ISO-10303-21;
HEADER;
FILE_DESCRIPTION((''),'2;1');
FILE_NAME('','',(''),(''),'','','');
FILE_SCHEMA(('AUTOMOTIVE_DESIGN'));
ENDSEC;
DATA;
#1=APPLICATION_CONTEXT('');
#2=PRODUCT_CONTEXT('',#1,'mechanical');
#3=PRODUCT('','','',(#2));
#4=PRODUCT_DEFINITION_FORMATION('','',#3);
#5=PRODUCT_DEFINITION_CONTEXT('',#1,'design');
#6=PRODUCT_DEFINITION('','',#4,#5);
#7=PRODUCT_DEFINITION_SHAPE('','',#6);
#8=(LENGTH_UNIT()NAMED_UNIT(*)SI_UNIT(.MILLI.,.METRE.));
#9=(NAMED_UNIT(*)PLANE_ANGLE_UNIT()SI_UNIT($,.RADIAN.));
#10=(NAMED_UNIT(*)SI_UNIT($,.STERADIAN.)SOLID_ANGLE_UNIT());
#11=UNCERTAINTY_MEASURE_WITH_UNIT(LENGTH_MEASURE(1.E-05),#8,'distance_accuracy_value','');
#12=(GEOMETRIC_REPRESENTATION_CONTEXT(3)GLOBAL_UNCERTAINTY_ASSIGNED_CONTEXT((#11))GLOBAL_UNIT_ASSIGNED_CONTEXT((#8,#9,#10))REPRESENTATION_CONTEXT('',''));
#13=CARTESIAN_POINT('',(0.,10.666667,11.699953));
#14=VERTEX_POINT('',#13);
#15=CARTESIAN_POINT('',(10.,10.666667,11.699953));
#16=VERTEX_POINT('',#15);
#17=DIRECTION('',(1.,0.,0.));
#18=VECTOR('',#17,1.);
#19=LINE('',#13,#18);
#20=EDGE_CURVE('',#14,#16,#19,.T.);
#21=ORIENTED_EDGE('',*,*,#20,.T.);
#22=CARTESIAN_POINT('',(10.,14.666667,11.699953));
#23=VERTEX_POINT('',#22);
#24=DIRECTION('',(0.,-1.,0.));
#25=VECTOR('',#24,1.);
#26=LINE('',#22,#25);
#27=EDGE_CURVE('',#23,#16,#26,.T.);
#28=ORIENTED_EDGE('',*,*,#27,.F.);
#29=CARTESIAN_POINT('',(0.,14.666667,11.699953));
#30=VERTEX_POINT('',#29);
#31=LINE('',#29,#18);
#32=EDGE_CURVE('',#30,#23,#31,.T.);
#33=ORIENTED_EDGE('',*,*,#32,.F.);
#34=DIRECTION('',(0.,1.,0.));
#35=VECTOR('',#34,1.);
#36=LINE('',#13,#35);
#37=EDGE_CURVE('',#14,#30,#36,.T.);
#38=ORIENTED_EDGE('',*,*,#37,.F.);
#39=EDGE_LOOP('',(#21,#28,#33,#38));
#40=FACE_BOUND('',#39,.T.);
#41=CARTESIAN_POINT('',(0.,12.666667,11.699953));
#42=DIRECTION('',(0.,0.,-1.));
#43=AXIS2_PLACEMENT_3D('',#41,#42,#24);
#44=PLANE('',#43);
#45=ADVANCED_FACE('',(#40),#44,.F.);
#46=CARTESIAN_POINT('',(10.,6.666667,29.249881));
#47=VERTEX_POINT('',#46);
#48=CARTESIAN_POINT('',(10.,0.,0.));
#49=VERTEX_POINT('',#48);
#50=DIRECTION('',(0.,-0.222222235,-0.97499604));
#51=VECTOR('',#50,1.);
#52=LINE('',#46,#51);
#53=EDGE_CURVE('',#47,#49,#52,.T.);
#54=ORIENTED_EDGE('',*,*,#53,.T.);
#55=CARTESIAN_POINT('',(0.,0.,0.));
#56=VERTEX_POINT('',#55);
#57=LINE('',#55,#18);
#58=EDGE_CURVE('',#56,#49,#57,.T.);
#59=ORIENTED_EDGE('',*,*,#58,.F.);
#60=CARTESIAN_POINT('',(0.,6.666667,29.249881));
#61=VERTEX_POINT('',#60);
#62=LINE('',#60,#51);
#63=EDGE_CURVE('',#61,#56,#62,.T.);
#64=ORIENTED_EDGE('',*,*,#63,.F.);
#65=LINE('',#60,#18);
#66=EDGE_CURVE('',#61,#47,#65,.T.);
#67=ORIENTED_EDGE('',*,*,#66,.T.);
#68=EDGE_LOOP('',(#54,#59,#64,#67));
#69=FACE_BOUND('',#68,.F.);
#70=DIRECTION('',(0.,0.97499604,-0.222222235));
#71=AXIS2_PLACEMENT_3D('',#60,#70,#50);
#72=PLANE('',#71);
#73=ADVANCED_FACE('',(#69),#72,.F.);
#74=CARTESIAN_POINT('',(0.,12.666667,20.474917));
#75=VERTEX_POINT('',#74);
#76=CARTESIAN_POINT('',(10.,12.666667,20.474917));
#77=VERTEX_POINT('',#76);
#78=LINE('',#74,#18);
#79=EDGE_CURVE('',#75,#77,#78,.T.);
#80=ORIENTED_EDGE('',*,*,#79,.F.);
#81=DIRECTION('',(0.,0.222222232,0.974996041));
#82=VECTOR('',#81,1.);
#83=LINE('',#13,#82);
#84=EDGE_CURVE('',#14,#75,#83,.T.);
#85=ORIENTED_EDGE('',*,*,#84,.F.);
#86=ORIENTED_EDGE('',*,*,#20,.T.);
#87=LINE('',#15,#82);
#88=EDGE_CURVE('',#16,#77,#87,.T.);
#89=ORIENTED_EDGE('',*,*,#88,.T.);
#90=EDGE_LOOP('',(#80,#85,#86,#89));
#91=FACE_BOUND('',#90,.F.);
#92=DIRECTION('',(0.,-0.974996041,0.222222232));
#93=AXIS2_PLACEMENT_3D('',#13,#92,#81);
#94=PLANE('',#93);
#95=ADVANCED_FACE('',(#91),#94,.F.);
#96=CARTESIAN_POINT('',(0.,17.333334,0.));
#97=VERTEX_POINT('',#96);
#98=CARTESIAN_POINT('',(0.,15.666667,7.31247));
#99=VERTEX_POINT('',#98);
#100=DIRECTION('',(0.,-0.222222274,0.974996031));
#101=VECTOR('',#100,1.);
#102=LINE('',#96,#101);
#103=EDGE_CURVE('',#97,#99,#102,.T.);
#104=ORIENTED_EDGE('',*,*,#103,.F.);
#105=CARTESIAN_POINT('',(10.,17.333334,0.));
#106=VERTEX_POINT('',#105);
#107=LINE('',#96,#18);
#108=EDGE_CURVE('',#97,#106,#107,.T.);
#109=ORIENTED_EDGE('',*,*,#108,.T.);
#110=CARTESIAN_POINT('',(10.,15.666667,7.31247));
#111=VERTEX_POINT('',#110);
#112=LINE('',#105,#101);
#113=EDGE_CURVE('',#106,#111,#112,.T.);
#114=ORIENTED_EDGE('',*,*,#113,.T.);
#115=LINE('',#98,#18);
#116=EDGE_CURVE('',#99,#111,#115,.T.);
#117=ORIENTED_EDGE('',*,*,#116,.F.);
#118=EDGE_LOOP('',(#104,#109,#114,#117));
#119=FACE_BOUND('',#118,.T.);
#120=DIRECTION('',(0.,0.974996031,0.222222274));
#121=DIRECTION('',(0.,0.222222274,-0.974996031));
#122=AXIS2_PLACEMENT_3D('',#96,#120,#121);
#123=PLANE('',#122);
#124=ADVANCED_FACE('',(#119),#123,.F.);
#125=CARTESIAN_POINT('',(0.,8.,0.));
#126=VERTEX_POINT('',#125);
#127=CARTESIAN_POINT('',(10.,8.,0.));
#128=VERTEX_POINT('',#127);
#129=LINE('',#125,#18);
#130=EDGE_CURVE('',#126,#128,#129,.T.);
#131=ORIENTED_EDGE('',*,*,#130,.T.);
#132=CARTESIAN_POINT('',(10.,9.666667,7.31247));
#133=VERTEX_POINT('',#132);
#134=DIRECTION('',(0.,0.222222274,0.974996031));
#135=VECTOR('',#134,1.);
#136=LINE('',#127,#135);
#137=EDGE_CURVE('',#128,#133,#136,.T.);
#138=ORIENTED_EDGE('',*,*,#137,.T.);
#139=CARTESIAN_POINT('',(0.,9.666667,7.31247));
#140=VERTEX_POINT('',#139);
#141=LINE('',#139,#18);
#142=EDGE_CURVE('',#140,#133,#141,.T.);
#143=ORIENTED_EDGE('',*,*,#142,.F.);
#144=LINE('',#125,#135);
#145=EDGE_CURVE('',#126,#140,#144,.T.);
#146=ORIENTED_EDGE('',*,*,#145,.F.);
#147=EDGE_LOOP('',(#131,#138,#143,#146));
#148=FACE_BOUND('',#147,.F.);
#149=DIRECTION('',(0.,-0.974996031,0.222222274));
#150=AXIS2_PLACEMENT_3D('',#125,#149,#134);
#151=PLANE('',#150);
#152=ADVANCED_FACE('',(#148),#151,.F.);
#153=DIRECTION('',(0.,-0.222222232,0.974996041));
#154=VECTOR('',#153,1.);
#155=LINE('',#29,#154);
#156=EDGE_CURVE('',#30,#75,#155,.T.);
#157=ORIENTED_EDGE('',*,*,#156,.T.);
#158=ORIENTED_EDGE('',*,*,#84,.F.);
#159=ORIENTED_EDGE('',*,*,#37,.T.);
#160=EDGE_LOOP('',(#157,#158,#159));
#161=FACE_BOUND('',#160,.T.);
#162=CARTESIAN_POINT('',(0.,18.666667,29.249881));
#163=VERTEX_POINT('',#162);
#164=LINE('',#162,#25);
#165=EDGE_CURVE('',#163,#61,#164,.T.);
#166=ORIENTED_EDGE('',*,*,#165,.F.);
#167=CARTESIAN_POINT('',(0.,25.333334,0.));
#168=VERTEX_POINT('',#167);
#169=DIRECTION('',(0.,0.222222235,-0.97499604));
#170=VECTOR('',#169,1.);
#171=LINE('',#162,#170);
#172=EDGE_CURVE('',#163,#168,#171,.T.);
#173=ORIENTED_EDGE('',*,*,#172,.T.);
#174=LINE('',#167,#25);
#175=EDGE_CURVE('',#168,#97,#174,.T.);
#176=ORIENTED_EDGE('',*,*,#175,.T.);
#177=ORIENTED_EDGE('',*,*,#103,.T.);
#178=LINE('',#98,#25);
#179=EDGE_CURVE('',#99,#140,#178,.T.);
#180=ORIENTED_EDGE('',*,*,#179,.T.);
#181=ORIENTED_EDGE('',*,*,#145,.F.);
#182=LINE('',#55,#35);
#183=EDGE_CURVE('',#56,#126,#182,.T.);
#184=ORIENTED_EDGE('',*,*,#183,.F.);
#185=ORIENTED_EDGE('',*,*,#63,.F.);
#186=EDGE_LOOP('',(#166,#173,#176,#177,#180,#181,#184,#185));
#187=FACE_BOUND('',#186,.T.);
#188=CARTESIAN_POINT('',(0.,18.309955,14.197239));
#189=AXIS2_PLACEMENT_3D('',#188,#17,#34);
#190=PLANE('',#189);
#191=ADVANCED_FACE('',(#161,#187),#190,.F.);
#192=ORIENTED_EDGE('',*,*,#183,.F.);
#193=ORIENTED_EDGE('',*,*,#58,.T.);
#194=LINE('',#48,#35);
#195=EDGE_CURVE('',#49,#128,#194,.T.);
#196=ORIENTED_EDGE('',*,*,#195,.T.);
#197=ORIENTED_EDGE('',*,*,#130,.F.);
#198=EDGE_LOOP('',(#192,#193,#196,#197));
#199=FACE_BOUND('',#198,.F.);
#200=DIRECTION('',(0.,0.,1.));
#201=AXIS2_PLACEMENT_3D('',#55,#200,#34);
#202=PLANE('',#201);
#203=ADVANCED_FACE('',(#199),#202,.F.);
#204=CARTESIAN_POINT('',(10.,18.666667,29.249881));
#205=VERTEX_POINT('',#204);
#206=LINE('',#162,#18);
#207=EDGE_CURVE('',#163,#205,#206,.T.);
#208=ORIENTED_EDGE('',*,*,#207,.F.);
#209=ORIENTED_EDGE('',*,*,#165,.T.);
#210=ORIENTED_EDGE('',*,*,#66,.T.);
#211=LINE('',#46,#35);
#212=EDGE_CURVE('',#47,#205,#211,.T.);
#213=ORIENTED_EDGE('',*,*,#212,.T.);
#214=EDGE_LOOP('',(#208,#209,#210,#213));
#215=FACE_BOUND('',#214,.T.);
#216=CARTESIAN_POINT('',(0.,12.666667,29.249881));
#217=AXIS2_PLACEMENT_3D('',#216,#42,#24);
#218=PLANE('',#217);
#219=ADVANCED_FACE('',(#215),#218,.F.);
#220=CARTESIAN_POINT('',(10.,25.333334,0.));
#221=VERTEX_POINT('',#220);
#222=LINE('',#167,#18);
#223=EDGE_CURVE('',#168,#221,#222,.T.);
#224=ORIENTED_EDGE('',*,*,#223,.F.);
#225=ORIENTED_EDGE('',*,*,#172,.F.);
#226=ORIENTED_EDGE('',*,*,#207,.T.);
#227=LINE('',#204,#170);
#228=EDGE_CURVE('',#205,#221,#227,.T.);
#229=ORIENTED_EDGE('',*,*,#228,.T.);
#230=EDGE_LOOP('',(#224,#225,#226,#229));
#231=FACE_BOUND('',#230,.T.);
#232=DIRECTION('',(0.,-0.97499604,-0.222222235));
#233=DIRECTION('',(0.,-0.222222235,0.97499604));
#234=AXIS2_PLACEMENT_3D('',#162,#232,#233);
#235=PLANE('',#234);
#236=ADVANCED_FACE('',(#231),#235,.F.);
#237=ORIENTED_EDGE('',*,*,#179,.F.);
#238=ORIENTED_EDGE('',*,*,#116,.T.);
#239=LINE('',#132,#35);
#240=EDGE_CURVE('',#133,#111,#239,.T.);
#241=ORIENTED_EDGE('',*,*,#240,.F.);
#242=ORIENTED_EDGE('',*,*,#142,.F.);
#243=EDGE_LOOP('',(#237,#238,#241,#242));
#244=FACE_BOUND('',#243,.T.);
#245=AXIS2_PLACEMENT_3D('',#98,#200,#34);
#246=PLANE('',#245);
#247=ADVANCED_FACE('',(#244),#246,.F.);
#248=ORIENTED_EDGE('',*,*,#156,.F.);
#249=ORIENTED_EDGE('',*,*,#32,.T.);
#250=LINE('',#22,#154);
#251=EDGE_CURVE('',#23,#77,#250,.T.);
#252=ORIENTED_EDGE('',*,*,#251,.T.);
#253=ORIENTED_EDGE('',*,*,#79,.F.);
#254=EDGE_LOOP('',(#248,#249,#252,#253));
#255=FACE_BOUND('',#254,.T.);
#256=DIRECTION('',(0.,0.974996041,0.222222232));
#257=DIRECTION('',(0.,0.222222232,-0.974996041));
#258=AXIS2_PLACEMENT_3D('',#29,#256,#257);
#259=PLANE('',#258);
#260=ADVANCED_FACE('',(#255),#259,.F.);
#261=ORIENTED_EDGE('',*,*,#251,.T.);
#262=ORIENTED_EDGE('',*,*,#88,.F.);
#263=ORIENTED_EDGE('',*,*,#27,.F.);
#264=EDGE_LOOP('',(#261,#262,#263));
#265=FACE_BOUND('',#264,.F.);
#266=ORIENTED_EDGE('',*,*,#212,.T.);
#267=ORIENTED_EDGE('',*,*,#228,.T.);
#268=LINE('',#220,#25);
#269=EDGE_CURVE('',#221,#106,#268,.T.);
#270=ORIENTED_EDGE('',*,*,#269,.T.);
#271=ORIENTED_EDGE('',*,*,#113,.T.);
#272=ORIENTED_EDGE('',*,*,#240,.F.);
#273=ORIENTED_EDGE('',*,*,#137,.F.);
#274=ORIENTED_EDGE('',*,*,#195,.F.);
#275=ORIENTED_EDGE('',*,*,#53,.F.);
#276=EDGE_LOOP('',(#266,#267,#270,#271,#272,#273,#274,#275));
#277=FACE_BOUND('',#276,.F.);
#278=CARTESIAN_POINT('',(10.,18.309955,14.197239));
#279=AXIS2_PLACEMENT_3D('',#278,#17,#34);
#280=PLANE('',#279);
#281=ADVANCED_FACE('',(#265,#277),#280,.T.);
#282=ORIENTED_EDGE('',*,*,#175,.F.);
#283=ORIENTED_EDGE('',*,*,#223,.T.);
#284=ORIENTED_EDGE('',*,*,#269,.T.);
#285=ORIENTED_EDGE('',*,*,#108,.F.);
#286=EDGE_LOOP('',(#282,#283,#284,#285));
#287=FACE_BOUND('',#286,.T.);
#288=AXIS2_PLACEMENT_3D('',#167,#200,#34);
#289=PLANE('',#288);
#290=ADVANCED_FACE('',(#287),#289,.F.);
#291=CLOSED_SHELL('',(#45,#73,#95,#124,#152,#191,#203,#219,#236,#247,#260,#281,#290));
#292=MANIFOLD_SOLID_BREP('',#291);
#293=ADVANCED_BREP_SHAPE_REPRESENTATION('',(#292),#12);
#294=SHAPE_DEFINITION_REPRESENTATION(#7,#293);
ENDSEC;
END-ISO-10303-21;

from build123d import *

# Parameters (mm, degrees)
F1_DEPTH = 10


with BuildPart() as f1:
    # F0 (on Right) → F1 (new body)
    with BuildSketch(Plane.YZ):
        Polygon((6.666667, 29.249881), (0, 0), (8, 0), (9.666667, 7.31247), (10.666667, 11.699953), (12.666667, 20.474917), (12.666667, 29.249881), align=None)
        Polygon((10.666667, 11.699953), (9.666667, 7.31247), (12.666667, 7.31247), (12.666667, 11.699953), align=None)
    extrude(amount=F1_DEPTH)

    # F2: F1 across face


with BuildPart() as f1_1:
    add(f1.part)
    add(f1.part.mirror(Plane(origin=(5, 12.666667, 9.506211), x_dir=(-1, 0, 0), z_dir=(0, 1, 0))))


solid = f1_1.part
